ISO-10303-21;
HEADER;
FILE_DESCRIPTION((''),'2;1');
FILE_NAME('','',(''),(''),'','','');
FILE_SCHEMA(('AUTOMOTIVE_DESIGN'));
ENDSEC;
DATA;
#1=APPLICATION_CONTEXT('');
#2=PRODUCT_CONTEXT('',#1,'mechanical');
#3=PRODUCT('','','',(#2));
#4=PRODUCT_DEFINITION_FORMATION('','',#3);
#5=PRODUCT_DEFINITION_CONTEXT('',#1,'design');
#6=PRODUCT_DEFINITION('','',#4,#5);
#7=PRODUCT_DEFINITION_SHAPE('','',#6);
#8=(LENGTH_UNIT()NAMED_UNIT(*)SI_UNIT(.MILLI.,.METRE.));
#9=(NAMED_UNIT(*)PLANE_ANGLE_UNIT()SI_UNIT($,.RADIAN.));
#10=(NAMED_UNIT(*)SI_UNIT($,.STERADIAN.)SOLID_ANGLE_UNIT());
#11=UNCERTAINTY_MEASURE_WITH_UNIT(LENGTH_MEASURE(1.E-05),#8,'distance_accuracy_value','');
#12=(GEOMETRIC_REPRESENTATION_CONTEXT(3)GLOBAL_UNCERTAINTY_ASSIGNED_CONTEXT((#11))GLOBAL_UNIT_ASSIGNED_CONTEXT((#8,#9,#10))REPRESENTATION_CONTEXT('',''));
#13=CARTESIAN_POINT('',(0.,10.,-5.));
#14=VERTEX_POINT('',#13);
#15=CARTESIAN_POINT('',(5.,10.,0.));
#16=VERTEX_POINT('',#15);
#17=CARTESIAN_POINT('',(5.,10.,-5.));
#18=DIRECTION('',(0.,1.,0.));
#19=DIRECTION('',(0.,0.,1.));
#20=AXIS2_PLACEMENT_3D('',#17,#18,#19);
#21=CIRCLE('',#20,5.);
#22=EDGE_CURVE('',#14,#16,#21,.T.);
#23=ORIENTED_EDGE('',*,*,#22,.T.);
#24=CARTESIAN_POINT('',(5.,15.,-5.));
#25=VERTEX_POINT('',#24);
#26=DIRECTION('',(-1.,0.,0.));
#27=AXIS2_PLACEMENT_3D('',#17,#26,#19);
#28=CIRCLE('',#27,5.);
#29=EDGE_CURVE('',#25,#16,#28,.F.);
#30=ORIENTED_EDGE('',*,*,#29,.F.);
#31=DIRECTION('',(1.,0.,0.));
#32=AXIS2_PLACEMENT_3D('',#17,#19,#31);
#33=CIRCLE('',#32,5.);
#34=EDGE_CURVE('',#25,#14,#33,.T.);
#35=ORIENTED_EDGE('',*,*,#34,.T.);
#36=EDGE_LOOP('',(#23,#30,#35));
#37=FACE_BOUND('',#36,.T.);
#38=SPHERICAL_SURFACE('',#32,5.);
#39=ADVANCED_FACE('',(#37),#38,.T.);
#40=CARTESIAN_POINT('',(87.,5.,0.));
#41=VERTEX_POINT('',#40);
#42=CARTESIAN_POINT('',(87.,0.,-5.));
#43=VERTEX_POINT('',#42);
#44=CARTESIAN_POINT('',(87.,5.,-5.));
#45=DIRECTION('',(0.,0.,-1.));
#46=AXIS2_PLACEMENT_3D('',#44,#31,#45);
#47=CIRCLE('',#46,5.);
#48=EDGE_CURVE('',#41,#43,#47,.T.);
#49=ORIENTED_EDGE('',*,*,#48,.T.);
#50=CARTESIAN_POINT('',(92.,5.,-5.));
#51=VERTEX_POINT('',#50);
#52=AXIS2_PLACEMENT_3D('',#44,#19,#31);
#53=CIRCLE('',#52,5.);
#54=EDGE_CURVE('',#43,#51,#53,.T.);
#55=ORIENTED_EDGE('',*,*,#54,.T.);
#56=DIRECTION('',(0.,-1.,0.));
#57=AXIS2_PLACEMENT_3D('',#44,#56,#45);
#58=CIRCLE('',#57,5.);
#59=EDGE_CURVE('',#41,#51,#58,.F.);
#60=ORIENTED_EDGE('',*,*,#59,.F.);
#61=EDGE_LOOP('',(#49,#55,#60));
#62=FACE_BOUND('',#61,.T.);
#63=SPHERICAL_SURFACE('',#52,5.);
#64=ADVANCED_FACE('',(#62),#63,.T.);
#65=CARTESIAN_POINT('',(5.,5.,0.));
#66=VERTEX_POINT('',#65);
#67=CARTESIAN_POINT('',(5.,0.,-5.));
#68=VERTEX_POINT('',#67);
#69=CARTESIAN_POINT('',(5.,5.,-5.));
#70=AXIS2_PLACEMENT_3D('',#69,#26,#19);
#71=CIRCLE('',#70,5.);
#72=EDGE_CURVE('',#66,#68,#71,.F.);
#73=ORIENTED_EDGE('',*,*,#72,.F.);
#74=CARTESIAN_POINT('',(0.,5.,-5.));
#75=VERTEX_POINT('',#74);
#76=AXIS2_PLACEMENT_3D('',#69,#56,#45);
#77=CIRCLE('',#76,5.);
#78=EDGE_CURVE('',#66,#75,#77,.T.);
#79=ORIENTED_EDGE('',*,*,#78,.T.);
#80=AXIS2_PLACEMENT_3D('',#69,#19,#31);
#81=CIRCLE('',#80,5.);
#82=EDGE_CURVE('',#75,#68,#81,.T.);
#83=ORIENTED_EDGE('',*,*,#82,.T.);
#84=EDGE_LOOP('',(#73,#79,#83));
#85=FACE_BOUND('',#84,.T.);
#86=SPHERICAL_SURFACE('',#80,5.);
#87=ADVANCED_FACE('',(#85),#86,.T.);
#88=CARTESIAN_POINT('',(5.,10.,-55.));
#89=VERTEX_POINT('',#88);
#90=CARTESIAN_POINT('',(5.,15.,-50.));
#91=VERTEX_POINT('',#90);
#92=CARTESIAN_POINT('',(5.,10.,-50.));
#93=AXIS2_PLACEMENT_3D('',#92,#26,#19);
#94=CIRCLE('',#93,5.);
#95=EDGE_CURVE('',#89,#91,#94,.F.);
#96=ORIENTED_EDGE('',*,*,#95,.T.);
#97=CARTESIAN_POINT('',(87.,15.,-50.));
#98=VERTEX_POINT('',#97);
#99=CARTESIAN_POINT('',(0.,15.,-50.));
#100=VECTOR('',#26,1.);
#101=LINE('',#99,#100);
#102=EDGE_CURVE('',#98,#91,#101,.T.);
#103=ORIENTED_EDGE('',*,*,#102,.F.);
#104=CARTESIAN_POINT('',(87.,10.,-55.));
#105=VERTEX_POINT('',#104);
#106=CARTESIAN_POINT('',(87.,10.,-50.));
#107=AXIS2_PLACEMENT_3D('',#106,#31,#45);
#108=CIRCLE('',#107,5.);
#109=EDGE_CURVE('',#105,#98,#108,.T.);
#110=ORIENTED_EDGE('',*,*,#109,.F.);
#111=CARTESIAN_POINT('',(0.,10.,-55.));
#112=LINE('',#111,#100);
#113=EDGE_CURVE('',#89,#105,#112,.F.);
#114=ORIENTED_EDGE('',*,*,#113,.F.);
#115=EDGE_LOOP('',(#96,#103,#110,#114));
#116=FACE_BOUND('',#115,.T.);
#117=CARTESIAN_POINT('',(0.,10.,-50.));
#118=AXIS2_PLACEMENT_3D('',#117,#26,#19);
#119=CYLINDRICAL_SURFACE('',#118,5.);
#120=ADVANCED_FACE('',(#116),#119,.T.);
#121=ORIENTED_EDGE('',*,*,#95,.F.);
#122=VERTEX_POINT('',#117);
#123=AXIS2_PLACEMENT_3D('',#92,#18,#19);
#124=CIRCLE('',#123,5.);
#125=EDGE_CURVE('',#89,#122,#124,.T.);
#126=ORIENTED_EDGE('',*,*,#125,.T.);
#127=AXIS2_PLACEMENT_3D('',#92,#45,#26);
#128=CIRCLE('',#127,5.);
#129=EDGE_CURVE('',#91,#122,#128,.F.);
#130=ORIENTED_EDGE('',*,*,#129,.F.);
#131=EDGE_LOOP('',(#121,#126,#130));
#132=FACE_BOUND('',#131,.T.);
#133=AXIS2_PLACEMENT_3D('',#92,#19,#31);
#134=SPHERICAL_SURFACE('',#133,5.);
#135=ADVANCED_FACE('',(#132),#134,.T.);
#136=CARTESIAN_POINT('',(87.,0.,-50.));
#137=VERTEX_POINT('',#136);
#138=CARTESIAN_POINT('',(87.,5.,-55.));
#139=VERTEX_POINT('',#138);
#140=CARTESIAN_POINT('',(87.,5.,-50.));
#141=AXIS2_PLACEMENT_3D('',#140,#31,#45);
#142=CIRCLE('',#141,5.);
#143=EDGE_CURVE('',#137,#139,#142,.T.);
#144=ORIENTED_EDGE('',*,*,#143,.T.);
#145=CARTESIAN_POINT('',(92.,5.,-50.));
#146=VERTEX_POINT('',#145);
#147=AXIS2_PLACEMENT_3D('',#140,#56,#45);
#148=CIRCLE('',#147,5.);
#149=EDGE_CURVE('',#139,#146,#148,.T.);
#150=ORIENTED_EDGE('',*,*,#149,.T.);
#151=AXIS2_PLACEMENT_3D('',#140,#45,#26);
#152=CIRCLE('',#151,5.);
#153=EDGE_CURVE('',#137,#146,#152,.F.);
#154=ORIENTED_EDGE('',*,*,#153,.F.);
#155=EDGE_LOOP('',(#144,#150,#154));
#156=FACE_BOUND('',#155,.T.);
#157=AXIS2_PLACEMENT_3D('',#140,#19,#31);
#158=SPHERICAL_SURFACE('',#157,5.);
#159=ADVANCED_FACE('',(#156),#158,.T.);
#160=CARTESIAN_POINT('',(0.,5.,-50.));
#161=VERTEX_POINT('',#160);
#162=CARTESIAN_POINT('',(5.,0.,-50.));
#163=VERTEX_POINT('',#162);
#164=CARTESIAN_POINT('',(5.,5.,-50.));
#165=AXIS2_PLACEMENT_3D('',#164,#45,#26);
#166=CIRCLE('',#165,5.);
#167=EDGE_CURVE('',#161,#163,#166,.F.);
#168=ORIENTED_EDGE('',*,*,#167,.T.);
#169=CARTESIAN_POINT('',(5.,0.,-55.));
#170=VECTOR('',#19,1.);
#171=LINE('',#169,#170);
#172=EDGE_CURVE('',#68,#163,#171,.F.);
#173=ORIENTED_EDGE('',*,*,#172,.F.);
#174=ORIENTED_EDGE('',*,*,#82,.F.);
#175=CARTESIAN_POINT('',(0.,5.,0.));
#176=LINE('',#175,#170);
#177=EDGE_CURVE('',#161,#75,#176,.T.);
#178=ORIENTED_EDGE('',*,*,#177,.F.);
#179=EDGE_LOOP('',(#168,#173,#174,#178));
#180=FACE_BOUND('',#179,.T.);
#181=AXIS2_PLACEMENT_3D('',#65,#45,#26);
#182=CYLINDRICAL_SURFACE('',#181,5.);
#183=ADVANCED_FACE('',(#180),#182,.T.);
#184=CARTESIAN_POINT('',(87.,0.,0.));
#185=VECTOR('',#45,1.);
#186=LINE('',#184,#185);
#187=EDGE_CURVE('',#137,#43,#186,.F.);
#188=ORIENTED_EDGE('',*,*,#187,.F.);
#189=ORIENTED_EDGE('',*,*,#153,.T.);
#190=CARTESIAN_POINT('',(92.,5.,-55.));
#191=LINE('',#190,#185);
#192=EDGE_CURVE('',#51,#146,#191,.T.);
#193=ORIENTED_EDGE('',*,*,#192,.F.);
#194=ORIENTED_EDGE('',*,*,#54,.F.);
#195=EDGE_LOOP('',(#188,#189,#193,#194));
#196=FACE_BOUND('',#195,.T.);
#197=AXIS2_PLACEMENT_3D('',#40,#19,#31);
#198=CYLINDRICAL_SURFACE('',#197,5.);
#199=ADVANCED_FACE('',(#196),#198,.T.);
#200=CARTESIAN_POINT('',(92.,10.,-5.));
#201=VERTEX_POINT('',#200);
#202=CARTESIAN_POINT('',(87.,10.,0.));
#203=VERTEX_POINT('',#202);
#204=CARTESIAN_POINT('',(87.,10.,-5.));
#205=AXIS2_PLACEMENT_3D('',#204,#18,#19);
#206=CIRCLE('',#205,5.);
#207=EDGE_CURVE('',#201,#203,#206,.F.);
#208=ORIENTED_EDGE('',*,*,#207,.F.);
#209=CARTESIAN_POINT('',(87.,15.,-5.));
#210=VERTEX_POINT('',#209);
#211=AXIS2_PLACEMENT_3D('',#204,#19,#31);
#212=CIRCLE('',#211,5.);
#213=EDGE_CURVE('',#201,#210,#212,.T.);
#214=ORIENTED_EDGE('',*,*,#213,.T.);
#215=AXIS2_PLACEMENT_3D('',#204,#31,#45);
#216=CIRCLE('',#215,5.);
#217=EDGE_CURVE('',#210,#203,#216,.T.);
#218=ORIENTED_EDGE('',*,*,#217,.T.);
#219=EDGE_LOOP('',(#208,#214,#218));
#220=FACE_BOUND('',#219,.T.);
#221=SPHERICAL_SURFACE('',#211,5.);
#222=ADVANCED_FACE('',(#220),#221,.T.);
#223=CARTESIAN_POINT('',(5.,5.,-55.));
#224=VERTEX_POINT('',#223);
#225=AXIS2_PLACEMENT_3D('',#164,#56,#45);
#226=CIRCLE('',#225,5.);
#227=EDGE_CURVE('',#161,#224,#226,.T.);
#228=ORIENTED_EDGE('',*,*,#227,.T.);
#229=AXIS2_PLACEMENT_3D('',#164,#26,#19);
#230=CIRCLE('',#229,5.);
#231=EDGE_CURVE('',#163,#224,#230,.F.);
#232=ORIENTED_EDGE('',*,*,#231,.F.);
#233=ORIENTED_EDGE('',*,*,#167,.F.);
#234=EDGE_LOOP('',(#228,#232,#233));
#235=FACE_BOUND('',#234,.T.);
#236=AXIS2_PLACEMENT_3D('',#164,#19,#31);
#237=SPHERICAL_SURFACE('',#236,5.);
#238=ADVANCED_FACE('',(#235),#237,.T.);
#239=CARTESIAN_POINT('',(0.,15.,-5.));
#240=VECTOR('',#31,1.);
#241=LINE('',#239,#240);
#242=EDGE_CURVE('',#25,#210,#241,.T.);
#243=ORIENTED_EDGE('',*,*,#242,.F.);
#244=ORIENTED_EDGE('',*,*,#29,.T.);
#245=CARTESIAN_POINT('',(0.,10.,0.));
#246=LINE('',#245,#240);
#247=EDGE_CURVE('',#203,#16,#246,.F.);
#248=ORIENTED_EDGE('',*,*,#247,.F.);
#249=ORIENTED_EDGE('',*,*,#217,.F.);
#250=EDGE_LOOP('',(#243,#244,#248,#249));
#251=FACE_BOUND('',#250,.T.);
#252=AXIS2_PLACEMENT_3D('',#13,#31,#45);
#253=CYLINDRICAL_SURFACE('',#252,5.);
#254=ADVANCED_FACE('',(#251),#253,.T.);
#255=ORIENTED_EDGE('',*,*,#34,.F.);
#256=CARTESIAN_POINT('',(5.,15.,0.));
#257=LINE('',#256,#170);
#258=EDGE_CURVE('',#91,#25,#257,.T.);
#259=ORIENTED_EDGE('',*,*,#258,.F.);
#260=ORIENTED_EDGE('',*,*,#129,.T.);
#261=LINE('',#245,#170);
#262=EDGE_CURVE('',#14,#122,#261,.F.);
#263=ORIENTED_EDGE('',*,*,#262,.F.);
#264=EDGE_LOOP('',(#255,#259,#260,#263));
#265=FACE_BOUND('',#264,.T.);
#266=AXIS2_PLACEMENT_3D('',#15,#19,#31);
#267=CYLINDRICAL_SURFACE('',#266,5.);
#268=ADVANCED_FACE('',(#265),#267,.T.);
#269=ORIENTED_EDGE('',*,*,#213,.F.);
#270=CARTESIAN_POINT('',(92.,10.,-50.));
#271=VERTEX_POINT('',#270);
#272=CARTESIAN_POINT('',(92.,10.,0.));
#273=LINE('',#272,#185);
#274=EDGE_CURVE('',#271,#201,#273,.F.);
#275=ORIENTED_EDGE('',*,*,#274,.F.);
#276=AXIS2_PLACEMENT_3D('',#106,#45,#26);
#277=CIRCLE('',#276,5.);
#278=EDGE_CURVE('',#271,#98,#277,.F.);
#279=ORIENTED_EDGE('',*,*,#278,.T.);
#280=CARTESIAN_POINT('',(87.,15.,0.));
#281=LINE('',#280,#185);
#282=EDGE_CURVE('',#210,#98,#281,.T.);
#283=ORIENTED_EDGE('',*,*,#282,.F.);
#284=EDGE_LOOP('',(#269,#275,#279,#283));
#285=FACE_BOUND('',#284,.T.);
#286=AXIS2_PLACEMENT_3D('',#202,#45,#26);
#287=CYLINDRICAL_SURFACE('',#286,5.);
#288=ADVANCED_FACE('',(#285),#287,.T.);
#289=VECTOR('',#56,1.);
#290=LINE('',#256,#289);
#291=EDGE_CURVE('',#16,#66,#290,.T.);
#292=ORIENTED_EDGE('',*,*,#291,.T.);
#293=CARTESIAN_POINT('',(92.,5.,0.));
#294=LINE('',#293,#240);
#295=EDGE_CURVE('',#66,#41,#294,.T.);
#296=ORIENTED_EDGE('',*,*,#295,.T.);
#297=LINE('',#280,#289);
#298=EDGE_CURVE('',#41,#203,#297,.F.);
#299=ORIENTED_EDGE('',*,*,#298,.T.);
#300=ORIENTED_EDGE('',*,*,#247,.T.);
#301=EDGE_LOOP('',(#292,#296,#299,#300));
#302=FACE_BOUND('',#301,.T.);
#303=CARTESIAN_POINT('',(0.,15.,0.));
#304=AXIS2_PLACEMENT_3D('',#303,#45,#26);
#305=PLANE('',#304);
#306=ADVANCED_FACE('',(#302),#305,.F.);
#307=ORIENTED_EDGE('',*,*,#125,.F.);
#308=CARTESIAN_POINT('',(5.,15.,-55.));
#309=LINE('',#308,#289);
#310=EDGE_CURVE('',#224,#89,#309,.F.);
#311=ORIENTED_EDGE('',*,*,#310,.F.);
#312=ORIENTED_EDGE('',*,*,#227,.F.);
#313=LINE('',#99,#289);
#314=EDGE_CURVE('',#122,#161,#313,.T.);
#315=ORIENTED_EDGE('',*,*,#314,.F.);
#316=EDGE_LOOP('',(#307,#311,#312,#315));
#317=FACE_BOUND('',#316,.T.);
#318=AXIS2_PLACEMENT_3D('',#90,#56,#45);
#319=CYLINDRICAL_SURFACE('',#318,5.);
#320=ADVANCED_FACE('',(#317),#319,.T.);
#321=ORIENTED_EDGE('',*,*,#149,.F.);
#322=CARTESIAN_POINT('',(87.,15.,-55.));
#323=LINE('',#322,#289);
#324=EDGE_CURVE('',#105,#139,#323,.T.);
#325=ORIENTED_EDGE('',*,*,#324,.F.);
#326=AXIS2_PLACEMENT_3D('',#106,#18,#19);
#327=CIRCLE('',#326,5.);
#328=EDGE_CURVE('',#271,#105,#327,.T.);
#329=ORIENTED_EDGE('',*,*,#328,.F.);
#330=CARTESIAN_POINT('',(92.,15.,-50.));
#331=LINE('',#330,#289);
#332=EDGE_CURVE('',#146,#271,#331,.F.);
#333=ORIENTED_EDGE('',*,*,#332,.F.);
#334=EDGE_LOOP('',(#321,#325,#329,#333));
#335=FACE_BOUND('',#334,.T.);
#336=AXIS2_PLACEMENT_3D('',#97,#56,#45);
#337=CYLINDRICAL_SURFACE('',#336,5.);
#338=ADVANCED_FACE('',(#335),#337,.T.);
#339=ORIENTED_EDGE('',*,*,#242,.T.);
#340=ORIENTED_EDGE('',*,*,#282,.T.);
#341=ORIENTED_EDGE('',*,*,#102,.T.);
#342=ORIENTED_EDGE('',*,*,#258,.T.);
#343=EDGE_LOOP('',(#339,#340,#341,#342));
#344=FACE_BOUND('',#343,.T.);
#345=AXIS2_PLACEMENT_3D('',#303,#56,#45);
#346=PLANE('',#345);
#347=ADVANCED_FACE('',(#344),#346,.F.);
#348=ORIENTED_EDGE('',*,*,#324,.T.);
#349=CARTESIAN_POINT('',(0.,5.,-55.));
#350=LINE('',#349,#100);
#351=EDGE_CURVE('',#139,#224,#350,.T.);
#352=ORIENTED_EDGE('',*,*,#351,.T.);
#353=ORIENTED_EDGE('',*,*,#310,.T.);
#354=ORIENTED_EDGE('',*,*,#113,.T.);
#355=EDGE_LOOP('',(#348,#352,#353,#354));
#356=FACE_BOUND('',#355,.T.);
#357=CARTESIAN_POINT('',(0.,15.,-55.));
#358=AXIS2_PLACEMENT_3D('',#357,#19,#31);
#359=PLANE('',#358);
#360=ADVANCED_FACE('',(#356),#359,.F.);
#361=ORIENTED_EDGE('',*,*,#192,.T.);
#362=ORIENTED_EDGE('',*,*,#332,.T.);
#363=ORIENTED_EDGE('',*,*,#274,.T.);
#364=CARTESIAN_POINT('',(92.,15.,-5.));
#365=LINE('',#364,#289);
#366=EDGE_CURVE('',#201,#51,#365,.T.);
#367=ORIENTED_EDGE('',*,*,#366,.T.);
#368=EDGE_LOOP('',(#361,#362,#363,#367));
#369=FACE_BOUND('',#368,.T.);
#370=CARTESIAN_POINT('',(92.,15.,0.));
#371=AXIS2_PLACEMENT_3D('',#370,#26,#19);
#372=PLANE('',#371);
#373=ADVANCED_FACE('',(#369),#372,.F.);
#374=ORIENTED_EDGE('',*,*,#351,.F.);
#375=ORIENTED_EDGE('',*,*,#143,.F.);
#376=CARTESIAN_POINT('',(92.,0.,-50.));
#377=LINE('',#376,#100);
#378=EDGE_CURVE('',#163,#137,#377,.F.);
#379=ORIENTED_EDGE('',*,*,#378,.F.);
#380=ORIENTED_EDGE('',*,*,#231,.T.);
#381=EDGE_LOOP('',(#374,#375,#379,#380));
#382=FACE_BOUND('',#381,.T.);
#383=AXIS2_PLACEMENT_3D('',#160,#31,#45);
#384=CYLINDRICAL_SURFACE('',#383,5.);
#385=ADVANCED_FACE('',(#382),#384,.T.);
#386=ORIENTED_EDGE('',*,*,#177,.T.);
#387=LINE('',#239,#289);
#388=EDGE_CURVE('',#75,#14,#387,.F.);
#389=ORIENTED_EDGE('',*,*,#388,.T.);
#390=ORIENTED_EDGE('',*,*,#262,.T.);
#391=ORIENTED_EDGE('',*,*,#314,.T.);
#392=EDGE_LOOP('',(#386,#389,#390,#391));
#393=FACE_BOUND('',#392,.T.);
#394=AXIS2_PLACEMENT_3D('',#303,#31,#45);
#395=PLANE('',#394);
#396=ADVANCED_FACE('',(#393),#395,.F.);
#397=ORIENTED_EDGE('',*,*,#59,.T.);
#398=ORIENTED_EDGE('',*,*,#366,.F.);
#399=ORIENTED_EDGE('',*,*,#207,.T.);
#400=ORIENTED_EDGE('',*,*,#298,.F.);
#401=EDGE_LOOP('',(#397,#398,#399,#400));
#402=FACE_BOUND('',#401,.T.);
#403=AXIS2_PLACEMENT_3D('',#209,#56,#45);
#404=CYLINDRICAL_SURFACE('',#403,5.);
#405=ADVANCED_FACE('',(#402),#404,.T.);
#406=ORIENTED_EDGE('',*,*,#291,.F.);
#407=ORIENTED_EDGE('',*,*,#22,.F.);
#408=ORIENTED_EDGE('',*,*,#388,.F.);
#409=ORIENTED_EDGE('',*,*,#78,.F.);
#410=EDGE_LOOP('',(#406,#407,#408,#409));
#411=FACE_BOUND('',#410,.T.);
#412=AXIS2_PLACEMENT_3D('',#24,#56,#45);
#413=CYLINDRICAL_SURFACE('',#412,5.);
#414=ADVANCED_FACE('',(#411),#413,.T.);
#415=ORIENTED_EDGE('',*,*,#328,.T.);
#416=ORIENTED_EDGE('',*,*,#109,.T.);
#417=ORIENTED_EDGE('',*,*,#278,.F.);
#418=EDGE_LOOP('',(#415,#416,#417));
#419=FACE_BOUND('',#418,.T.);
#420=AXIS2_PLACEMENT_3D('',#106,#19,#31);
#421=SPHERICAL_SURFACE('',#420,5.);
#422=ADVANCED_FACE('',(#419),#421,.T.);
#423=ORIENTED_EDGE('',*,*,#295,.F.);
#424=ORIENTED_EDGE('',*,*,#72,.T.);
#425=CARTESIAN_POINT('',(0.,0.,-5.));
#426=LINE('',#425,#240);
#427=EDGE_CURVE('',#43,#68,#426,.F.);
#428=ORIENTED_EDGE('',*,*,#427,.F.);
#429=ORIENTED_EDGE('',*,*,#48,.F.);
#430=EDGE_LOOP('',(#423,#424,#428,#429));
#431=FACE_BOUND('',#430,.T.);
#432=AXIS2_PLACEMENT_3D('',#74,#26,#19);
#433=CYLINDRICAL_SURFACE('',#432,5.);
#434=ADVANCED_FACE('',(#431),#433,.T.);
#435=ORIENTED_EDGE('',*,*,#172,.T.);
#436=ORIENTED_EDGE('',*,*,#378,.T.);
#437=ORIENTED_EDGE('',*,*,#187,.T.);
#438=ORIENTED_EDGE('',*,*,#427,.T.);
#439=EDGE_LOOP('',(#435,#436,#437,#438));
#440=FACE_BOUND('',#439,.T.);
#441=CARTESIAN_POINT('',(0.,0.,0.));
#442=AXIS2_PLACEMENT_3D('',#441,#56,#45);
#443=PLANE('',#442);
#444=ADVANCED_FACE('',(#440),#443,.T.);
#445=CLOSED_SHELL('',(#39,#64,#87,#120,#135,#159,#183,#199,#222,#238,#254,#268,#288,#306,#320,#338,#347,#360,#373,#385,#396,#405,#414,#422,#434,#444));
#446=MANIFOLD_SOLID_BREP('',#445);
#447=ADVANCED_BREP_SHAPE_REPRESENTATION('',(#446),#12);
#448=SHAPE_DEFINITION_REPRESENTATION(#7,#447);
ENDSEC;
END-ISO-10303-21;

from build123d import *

# Parameters (mm, degrees)
SKETCH1_W           = 92
SKETCH1_H           = 55
BOSS_EXTRUDE1_DEPTH = 15
FILLET3_R           = 5


with BuildPart() as part:
    # Sketch1 → Boss-Extrude1 (new body)
    with BuildSketch(Plane(origin=(0, 0, 0), x_dir=(1, 0, 0), z_dir=(0, 1, 0))):
        with Locations((46, 27.5)):
            Rectangle(SKETCH1_W, SKETCH1_H)
    extrude(amount=BOSS_EXTRUDE1_DEPTH)

    # Fillet3
    fillet3_edges = [part.edges().sort_by_distance(p)[0] for p in [
        (92, 15, -27.5),
        (46, 15, -55),
        (0, 15, -27.5),
        (46, 0, -55),
        (92, 0, -27.5),
        (46, 0, 0),
        (0, 0, -27.5),
        (46, 15, 0),
        (0, 7.5, -55),
        (92, 7.5, -55),
        (92, 7.5, 0),
        (0, 7.5, 0),
    ]]
    fillet(fillet3_edges, radius=FILLET3_R)


solid = part.part
